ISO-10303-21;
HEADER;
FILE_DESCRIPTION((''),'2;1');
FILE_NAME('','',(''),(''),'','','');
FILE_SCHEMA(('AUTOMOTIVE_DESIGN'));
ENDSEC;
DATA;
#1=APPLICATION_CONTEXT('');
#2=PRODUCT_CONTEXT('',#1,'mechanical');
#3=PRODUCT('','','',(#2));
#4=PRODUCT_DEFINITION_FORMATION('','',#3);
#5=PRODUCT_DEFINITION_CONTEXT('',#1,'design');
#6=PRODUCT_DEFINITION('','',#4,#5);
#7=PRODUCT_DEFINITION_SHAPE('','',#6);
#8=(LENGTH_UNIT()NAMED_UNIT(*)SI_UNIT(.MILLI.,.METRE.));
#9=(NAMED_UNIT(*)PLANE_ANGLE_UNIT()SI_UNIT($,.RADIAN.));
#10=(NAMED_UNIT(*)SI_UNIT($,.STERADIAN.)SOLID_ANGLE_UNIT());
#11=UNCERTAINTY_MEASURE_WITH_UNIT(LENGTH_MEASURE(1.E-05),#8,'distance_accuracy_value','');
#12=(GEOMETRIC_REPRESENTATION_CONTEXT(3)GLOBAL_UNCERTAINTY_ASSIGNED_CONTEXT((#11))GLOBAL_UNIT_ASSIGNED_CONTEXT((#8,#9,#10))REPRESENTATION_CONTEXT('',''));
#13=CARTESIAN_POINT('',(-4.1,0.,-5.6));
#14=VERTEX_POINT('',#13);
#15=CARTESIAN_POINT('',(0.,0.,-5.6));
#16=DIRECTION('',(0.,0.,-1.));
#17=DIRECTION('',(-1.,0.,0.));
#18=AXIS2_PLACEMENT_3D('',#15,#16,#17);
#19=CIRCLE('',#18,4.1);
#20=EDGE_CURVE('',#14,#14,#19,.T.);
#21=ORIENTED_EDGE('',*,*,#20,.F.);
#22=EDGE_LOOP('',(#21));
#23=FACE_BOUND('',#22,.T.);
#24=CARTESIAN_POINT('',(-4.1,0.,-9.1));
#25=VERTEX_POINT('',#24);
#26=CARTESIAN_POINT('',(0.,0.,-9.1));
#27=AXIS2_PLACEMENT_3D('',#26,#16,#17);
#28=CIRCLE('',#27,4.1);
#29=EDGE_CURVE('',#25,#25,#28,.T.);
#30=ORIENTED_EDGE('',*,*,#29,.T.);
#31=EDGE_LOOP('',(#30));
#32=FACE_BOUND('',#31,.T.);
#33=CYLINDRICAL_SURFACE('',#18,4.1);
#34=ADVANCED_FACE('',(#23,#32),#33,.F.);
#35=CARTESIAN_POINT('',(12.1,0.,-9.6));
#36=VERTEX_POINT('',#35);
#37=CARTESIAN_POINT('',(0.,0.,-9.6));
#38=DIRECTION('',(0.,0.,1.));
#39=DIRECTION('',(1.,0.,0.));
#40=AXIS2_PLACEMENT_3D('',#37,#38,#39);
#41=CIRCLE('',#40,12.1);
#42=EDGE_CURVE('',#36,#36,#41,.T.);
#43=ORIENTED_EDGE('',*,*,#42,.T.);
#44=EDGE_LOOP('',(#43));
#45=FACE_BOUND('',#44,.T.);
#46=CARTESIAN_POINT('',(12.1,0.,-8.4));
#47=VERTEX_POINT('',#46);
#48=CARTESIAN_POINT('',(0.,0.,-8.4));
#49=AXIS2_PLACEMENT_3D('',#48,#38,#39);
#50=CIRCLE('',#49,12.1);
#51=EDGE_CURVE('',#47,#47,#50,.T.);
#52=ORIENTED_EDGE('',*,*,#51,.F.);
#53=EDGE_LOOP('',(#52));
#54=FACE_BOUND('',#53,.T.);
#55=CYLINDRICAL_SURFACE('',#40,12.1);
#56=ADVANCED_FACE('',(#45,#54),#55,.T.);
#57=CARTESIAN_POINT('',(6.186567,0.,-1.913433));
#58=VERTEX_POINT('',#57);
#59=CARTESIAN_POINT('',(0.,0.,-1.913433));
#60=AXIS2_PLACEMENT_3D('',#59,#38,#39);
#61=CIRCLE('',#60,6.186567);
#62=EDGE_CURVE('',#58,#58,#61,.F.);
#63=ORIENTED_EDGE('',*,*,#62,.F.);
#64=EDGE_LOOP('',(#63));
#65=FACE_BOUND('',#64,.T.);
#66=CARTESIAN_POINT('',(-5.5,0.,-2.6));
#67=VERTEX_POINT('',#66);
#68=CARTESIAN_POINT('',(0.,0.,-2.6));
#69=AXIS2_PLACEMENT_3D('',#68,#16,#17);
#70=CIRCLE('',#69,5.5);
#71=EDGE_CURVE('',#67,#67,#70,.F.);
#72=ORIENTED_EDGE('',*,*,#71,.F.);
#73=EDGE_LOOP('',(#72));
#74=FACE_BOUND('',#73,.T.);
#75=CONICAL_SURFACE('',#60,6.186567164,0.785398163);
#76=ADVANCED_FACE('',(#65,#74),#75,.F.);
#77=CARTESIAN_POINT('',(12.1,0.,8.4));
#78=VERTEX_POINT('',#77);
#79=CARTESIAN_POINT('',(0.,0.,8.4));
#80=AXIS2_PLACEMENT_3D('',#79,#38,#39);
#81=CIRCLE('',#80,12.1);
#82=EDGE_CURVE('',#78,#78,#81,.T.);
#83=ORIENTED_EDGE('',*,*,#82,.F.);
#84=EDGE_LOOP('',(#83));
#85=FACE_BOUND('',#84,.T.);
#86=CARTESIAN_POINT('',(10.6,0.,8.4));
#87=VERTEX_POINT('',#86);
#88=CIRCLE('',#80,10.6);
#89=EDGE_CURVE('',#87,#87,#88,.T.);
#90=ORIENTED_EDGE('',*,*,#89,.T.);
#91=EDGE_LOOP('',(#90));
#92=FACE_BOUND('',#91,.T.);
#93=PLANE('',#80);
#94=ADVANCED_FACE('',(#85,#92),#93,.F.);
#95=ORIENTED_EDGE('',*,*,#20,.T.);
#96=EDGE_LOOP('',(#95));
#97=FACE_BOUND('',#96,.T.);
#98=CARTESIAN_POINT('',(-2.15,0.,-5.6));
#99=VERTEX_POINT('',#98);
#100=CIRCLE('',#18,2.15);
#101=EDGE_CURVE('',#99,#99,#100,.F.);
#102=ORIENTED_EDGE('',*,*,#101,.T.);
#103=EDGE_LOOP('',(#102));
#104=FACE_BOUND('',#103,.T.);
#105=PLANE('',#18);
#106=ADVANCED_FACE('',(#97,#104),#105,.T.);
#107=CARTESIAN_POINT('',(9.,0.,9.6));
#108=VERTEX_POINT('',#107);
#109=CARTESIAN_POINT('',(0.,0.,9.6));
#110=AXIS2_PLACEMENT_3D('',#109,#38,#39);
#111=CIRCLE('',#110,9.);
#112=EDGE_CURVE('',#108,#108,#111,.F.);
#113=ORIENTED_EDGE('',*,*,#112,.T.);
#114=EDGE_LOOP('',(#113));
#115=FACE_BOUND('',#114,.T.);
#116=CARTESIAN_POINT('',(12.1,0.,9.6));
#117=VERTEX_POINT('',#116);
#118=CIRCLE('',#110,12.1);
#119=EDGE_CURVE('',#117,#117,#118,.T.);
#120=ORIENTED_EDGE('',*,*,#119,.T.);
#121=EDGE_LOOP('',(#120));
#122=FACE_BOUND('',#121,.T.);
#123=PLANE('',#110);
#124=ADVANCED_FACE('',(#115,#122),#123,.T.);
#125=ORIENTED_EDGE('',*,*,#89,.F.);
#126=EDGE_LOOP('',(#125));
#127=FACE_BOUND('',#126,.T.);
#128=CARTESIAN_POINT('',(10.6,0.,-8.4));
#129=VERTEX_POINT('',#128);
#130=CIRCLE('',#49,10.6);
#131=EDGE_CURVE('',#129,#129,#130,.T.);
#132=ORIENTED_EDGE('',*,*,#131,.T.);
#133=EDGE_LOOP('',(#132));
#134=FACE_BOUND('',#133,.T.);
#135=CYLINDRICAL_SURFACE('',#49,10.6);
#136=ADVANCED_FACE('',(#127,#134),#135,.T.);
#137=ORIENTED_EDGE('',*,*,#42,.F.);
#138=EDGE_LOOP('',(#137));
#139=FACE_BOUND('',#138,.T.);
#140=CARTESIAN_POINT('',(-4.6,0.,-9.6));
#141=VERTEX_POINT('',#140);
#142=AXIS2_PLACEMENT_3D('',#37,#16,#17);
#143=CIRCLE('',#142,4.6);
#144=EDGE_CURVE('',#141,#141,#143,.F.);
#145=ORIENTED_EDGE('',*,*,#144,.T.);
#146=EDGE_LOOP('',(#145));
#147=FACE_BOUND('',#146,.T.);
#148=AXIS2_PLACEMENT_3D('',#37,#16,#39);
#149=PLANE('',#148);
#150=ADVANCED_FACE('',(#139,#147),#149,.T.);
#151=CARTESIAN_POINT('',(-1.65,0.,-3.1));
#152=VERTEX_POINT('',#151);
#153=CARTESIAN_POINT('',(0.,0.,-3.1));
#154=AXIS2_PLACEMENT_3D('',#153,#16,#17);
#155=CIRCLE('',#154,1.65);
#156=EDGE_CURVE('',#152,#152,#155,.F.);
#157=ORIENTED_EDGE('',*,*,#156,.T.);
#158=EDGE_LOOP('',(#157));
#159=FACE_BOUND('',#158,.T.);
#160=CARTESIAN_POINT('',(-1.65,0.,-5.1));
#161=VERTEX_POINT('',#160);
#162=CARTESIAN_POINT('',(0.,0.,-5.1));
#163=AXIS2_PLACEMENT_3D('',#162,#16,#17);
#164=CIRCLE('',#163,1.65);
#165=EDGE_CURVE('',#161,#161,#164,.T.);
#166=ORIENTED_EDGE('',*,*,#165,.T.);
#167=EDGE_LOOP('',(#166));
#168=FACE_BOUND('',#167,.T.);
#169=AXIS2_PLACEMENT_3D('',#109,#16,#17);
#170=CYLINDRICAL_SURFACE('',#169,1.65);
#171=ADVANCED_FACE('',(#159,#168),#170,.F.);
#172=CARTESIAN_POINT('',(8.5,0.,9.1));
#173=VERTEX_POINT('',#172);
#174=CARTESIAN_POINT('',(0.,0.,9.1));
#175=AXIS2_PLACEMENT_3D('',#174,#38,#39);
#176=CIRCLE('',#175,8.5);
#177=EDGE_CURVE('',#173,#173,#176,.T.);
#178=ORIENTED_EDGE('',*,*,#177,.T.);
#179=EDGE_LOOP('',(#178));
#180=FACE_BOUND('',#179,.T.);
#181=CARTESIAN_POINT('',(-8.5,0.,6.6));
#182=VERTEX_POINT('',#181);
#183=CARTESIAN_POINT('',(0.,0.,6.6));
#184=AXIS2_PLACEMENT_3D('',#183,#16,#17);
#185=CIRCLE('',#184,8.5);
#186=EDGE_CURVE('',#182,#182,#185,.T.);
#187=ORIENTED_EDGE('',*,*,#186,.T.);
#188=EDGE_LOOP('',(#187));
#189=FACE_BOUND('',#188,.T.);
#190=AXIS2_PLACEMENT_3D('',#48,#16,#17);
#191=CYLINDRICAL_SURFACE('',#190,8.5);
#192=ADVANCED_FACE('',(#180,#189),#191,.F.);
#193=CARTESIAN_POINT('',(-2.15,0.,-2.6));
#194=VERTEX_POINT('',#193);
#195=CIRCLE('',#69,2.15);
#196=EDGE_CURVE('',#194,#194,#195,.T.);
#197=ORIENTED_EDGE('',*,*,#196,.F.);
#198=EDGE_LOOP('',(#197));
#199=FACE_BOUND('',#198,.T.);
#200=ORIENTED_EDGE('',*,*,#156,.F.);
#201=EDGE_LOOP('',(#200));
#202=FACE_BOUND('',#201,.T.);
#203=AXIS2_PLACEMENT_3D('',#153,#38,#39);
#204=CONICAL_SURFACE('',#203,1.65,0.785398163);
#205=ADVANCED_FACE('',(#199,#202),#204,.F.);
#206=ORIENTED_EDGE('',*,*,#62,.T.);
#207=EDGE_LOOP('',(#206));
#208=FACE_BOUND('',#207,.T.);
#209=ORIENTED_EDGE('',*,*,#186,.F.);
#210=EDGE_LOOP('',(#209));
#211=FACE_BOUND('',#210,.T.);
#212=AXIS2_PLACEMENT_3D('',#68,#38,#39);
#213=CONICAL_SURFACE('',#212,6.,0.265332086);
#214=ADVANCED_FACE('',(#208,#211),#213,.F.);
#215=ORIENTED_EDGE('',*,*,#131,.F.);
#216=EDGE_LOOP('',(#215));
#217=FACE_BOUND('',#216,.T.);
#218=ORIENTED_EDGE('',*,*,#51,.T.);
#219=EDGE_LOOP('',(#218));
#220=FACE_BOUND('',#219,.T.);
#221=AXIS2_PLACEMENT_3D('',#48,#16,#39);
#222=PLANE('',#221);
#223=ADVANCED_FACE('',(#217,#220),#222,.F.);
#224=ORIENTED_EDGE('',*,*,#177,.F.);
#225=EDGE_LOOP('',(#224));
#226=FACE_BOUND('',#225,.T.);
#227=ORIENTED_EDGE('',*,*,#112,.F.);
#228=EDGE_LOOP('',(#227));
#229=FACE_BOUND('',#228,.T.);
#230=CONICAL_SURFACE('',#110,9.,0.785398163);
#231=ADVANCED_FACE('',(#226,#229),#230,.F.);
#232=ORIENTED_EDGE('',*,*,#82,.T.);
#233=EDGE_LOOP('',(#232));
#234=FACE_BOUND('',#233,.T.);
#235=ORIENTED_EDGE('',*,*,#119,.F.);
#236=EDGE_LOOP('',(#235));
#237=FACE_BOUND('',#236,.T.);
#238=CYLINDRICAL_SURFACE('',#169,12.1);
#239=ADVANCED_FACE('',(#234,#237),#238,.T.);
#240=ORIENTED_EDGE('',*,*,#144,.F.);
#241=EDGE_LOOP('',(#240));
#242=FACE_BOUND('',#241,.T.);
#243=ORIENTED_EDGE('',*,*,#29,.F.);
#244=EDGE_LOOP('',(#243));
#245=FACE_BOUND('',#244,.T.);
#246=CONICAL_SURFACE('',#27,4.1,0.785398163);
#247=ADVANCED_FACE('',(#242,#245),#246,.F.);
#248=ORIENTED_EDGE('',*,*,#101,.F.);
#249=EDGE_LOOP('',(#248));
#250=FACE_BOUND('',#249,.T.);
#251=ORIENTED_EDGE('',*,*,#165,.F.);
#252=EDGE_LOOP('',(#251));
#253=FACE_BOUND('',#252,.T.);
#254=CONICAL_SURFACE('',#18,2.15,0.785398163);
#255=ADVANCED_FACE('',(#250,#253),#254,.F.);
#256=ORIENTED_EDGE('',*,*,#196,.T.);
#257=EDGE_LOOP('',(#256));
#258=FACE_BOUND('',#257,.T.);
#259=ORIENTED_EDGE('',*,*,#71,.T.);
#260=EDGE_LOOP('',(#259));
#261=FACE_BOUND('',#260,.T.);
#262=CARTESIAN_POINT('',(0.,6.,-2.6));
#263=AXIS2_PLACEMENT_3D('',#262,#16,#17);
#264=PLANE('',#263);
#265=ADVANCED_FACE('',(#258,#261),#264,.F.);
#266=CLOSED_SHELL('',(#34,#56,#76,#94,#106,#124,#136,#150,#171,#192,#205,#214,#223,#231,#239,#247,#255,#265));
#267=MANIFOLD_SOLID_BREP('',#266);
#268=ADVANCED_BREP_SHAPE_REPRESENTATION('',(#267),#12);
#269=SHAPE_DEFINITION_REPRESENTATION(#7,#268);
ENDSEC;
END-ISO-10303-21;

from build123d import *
from OCP.BRepFilletAPI import BRepFilletAPI_MakeChamfer

# Parameters (mm, degrees)
LAUFRAD_DEPTH             = 8.4
LAUFRAD_DEPTH_BACK        = 8.4
SKIZZE1_R                 = 10.6
SKIZZE2_R                 = 12.1
KETTENF_HRUNG_DEPTH       = 1.2
SKIZZE4_R                 = 1.65
SCHRAUBENBOHRUNG_M3_DEPTH = 26.718864672
SKIZZE3_R                 = 4.1
KUGELLAGERSITZ_DEPTH      = 4
FASE1_SIZE                = 0.5
FASE1_SIZE2               = 0.71146453


with BuildPart() as part:
    # Skizze1 → Laufrad (new, two sides: drawn at the far end of the back side and taken through both)
    with BuildSketch(Plane.XY.offset(-LAUFRAD_DEPTH_BACK)):
        Circle(SKIZZE1_R)
    extrude(amount=LAUFRAD_DEPTH + LAUFRAD_DEPTH_BACK)

    # Skizze2 → Kettenführung (add)
    with BuildSketch(Plane.XY.offset(8.4)):
        Circle(SKIZZE2_R)
    kettenf_hrung = extrude(amount=KETTENF_HRUNG_DEPTH)

    # Spiegeln Kettenführung: Kettenführung across plane
    add(kettenf_hrung.mirror(Plane.XY))

    # Skizze4 → SchraubenBohrung M3 (cut, through all)
    with BuildSketch(Plane(origin=(0, 0, -9.6), x_dir=(-1, 0, 0), z_dir=(0, 0, -1))):
        Circle(SKIZZE4_R)
    extrude(amount=-SCHRAUBENBOHRUNG_M3_DEPTH, mode=Mode.SUBTRACT)

    # Skizze3 → Kugellagersitz (cut)
    with BuildSketch(Plane(origin=(0, 0, -9.6), x_dir=(-1, 0, 0), z_dir=(0, 0, -1))):
        Circle(SKIZZE3_R)
    extrude(amount=-KUGELLAGERSITZ_DEPTH, mode=Mode.SUBTRACT)

    # Skizze5 → Schnitt-Rotation3 (revolve, cut)
    with BuildSketch(Plane(origin=(0, 0, 0), x_dir=(0, 0, -1), z_dir=(1, 0, 0))):
        Polygon((-9.6, 0), (-9.6, 8.5), (-6.6, 8.5), (2.6, 6), (2.6, 0), align=None)
    revolve(axis=Axis((0, 0, -8.4), (0, 0, 1)), mode=Mode.SUBTRACT)

    # Fase1: one chamfer whose edges measure the first distance from different faces: ONE call of the kernel's chamfer builder (chamfer() names one face for all edges)
    fase1_edges_1 = [part.edges().sort_by_distance(p)[0] for p in [
        (1.65, 0, -2.6),
        (1.65, 0, -5.6),
        (4.1, 0, -9.6),
        (0, -8.5, 9.6),
    ]]
    fase1_edges_2 = [part.edges().sort_by_distance(p)[0] for p in [
        (0, -6, -2.6),
    ]]
    fase1_side_2 = [part.faces().sort_by_distance(p)[0] for p in [
        (0, -5.830294373, -2.6),
    ]]
    fase1 = BRepFilletAPI_MakeChamfer(part.part.solid().wrapped)
    for e in fase1_edges_1:
        fase1.Add(FASE1_SIZE, e.wrapped)
    for e in fase1_edges_2:
        fase1.Add(FASE1_SIZE, FASE1_SIZE2, e.wrapped, fase1_side_2[0].wrapped)  # the first distance lies on this face
    add(Compound.cast(fase1.Shape()), mode=Mode.REPLACE)


solid = part.part
